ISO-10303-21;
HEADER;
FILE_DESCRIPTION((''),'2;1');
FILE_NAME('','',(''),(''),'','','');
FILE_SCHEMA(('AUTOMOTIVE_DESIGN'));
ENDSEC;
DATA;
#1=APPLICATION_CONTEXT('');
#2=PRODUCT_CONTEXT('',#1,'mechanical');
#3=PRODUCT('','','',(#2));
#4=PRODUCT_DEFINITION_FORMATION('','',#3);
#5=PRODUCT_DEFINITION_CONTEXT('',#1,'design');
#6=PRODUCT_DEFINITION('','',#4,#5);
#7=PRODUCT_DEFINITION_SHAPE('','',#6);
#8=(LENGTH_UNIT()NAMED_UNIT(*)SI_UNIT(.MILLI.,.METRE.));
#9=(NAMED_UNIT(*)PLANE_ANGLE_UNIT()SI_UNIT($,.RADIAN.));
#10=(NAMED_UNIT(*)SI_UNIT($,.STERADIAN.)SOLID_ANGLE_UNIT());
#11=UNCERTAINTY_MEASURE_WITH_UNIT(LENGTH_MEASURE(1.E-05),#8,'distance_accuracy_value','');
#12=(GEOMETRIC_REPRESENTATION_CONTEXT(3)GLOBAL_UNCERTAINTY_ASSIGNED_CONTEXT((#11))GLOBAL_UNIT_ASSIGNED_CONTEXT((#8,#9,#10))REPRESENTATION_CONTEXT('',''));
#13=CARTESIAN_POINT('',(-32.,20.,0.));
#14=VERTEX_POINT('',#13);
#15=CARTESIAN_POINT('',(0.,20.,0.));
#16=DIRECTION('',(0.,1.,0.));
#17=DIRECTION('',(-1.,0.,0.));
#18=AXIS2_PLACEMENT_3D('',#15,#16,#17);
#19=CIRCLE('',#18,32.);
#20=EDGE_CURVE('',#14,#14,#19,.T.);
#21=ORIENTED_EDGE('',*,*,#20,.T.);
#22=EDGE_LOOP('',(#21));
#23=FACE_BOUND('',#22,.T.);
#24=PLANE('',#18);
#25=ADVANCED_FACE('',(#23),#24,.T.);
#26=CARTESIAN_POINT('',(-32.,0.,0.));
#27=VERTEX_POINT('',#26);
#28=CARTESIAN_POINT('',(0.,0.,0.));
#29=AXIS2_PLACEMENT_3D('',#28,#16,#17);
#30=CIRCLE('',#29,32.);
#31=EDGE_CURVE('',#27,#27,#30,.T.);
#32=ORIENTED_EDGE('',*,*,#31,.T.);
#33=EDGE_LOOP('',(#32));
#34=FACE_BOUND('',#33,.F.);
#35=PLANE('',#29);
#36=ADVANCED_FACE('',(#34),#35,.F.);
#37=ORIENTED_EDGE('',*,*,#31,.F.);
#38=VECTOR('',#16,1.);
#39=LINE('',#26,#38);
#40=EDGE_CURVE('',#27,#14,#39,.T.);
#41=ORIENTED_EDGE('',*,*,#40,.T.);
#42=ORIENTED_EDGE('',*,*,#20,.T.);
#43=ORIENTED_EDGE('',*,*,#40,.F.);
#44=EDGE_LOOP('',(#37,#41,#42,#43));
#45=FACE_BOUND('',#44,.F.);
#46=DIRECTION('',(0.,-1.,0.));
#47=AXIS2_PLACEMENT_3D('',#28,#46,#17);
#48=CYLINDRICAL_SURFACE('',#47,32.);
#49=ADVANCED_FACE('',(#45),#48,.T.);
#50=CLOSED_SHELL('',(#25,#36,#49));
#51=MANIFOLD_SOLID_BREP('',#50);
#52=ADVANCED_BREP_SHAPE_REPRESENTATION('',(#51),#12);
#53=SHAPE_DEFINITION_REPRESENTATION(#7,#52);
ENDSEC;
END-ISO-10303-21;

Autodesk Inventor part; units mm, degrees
ref_plane "YZ Plane" through (0, 0, 0) normal (1, 0, 0) x (0, 1, 0)
ref_plane "XZ Plane" through (0, 0, 0) normal (0, 1, 0) x (-1, 0, 0)
ref_plane "XY Plane" through (0, 0, 0) normal (0, 0, 1) x (1, 0, 0)
sketch "Sketch4" plane through (0, 0, 0) normal (0, 1, 0) x (-1, 0, 0)
  circle A0 centre (0, 0) radius 32
  dimension "d48" = 64
extrude "Extrusion1" add sketch "Sketch4" along normal blind 20
properties part number "Circuit"
